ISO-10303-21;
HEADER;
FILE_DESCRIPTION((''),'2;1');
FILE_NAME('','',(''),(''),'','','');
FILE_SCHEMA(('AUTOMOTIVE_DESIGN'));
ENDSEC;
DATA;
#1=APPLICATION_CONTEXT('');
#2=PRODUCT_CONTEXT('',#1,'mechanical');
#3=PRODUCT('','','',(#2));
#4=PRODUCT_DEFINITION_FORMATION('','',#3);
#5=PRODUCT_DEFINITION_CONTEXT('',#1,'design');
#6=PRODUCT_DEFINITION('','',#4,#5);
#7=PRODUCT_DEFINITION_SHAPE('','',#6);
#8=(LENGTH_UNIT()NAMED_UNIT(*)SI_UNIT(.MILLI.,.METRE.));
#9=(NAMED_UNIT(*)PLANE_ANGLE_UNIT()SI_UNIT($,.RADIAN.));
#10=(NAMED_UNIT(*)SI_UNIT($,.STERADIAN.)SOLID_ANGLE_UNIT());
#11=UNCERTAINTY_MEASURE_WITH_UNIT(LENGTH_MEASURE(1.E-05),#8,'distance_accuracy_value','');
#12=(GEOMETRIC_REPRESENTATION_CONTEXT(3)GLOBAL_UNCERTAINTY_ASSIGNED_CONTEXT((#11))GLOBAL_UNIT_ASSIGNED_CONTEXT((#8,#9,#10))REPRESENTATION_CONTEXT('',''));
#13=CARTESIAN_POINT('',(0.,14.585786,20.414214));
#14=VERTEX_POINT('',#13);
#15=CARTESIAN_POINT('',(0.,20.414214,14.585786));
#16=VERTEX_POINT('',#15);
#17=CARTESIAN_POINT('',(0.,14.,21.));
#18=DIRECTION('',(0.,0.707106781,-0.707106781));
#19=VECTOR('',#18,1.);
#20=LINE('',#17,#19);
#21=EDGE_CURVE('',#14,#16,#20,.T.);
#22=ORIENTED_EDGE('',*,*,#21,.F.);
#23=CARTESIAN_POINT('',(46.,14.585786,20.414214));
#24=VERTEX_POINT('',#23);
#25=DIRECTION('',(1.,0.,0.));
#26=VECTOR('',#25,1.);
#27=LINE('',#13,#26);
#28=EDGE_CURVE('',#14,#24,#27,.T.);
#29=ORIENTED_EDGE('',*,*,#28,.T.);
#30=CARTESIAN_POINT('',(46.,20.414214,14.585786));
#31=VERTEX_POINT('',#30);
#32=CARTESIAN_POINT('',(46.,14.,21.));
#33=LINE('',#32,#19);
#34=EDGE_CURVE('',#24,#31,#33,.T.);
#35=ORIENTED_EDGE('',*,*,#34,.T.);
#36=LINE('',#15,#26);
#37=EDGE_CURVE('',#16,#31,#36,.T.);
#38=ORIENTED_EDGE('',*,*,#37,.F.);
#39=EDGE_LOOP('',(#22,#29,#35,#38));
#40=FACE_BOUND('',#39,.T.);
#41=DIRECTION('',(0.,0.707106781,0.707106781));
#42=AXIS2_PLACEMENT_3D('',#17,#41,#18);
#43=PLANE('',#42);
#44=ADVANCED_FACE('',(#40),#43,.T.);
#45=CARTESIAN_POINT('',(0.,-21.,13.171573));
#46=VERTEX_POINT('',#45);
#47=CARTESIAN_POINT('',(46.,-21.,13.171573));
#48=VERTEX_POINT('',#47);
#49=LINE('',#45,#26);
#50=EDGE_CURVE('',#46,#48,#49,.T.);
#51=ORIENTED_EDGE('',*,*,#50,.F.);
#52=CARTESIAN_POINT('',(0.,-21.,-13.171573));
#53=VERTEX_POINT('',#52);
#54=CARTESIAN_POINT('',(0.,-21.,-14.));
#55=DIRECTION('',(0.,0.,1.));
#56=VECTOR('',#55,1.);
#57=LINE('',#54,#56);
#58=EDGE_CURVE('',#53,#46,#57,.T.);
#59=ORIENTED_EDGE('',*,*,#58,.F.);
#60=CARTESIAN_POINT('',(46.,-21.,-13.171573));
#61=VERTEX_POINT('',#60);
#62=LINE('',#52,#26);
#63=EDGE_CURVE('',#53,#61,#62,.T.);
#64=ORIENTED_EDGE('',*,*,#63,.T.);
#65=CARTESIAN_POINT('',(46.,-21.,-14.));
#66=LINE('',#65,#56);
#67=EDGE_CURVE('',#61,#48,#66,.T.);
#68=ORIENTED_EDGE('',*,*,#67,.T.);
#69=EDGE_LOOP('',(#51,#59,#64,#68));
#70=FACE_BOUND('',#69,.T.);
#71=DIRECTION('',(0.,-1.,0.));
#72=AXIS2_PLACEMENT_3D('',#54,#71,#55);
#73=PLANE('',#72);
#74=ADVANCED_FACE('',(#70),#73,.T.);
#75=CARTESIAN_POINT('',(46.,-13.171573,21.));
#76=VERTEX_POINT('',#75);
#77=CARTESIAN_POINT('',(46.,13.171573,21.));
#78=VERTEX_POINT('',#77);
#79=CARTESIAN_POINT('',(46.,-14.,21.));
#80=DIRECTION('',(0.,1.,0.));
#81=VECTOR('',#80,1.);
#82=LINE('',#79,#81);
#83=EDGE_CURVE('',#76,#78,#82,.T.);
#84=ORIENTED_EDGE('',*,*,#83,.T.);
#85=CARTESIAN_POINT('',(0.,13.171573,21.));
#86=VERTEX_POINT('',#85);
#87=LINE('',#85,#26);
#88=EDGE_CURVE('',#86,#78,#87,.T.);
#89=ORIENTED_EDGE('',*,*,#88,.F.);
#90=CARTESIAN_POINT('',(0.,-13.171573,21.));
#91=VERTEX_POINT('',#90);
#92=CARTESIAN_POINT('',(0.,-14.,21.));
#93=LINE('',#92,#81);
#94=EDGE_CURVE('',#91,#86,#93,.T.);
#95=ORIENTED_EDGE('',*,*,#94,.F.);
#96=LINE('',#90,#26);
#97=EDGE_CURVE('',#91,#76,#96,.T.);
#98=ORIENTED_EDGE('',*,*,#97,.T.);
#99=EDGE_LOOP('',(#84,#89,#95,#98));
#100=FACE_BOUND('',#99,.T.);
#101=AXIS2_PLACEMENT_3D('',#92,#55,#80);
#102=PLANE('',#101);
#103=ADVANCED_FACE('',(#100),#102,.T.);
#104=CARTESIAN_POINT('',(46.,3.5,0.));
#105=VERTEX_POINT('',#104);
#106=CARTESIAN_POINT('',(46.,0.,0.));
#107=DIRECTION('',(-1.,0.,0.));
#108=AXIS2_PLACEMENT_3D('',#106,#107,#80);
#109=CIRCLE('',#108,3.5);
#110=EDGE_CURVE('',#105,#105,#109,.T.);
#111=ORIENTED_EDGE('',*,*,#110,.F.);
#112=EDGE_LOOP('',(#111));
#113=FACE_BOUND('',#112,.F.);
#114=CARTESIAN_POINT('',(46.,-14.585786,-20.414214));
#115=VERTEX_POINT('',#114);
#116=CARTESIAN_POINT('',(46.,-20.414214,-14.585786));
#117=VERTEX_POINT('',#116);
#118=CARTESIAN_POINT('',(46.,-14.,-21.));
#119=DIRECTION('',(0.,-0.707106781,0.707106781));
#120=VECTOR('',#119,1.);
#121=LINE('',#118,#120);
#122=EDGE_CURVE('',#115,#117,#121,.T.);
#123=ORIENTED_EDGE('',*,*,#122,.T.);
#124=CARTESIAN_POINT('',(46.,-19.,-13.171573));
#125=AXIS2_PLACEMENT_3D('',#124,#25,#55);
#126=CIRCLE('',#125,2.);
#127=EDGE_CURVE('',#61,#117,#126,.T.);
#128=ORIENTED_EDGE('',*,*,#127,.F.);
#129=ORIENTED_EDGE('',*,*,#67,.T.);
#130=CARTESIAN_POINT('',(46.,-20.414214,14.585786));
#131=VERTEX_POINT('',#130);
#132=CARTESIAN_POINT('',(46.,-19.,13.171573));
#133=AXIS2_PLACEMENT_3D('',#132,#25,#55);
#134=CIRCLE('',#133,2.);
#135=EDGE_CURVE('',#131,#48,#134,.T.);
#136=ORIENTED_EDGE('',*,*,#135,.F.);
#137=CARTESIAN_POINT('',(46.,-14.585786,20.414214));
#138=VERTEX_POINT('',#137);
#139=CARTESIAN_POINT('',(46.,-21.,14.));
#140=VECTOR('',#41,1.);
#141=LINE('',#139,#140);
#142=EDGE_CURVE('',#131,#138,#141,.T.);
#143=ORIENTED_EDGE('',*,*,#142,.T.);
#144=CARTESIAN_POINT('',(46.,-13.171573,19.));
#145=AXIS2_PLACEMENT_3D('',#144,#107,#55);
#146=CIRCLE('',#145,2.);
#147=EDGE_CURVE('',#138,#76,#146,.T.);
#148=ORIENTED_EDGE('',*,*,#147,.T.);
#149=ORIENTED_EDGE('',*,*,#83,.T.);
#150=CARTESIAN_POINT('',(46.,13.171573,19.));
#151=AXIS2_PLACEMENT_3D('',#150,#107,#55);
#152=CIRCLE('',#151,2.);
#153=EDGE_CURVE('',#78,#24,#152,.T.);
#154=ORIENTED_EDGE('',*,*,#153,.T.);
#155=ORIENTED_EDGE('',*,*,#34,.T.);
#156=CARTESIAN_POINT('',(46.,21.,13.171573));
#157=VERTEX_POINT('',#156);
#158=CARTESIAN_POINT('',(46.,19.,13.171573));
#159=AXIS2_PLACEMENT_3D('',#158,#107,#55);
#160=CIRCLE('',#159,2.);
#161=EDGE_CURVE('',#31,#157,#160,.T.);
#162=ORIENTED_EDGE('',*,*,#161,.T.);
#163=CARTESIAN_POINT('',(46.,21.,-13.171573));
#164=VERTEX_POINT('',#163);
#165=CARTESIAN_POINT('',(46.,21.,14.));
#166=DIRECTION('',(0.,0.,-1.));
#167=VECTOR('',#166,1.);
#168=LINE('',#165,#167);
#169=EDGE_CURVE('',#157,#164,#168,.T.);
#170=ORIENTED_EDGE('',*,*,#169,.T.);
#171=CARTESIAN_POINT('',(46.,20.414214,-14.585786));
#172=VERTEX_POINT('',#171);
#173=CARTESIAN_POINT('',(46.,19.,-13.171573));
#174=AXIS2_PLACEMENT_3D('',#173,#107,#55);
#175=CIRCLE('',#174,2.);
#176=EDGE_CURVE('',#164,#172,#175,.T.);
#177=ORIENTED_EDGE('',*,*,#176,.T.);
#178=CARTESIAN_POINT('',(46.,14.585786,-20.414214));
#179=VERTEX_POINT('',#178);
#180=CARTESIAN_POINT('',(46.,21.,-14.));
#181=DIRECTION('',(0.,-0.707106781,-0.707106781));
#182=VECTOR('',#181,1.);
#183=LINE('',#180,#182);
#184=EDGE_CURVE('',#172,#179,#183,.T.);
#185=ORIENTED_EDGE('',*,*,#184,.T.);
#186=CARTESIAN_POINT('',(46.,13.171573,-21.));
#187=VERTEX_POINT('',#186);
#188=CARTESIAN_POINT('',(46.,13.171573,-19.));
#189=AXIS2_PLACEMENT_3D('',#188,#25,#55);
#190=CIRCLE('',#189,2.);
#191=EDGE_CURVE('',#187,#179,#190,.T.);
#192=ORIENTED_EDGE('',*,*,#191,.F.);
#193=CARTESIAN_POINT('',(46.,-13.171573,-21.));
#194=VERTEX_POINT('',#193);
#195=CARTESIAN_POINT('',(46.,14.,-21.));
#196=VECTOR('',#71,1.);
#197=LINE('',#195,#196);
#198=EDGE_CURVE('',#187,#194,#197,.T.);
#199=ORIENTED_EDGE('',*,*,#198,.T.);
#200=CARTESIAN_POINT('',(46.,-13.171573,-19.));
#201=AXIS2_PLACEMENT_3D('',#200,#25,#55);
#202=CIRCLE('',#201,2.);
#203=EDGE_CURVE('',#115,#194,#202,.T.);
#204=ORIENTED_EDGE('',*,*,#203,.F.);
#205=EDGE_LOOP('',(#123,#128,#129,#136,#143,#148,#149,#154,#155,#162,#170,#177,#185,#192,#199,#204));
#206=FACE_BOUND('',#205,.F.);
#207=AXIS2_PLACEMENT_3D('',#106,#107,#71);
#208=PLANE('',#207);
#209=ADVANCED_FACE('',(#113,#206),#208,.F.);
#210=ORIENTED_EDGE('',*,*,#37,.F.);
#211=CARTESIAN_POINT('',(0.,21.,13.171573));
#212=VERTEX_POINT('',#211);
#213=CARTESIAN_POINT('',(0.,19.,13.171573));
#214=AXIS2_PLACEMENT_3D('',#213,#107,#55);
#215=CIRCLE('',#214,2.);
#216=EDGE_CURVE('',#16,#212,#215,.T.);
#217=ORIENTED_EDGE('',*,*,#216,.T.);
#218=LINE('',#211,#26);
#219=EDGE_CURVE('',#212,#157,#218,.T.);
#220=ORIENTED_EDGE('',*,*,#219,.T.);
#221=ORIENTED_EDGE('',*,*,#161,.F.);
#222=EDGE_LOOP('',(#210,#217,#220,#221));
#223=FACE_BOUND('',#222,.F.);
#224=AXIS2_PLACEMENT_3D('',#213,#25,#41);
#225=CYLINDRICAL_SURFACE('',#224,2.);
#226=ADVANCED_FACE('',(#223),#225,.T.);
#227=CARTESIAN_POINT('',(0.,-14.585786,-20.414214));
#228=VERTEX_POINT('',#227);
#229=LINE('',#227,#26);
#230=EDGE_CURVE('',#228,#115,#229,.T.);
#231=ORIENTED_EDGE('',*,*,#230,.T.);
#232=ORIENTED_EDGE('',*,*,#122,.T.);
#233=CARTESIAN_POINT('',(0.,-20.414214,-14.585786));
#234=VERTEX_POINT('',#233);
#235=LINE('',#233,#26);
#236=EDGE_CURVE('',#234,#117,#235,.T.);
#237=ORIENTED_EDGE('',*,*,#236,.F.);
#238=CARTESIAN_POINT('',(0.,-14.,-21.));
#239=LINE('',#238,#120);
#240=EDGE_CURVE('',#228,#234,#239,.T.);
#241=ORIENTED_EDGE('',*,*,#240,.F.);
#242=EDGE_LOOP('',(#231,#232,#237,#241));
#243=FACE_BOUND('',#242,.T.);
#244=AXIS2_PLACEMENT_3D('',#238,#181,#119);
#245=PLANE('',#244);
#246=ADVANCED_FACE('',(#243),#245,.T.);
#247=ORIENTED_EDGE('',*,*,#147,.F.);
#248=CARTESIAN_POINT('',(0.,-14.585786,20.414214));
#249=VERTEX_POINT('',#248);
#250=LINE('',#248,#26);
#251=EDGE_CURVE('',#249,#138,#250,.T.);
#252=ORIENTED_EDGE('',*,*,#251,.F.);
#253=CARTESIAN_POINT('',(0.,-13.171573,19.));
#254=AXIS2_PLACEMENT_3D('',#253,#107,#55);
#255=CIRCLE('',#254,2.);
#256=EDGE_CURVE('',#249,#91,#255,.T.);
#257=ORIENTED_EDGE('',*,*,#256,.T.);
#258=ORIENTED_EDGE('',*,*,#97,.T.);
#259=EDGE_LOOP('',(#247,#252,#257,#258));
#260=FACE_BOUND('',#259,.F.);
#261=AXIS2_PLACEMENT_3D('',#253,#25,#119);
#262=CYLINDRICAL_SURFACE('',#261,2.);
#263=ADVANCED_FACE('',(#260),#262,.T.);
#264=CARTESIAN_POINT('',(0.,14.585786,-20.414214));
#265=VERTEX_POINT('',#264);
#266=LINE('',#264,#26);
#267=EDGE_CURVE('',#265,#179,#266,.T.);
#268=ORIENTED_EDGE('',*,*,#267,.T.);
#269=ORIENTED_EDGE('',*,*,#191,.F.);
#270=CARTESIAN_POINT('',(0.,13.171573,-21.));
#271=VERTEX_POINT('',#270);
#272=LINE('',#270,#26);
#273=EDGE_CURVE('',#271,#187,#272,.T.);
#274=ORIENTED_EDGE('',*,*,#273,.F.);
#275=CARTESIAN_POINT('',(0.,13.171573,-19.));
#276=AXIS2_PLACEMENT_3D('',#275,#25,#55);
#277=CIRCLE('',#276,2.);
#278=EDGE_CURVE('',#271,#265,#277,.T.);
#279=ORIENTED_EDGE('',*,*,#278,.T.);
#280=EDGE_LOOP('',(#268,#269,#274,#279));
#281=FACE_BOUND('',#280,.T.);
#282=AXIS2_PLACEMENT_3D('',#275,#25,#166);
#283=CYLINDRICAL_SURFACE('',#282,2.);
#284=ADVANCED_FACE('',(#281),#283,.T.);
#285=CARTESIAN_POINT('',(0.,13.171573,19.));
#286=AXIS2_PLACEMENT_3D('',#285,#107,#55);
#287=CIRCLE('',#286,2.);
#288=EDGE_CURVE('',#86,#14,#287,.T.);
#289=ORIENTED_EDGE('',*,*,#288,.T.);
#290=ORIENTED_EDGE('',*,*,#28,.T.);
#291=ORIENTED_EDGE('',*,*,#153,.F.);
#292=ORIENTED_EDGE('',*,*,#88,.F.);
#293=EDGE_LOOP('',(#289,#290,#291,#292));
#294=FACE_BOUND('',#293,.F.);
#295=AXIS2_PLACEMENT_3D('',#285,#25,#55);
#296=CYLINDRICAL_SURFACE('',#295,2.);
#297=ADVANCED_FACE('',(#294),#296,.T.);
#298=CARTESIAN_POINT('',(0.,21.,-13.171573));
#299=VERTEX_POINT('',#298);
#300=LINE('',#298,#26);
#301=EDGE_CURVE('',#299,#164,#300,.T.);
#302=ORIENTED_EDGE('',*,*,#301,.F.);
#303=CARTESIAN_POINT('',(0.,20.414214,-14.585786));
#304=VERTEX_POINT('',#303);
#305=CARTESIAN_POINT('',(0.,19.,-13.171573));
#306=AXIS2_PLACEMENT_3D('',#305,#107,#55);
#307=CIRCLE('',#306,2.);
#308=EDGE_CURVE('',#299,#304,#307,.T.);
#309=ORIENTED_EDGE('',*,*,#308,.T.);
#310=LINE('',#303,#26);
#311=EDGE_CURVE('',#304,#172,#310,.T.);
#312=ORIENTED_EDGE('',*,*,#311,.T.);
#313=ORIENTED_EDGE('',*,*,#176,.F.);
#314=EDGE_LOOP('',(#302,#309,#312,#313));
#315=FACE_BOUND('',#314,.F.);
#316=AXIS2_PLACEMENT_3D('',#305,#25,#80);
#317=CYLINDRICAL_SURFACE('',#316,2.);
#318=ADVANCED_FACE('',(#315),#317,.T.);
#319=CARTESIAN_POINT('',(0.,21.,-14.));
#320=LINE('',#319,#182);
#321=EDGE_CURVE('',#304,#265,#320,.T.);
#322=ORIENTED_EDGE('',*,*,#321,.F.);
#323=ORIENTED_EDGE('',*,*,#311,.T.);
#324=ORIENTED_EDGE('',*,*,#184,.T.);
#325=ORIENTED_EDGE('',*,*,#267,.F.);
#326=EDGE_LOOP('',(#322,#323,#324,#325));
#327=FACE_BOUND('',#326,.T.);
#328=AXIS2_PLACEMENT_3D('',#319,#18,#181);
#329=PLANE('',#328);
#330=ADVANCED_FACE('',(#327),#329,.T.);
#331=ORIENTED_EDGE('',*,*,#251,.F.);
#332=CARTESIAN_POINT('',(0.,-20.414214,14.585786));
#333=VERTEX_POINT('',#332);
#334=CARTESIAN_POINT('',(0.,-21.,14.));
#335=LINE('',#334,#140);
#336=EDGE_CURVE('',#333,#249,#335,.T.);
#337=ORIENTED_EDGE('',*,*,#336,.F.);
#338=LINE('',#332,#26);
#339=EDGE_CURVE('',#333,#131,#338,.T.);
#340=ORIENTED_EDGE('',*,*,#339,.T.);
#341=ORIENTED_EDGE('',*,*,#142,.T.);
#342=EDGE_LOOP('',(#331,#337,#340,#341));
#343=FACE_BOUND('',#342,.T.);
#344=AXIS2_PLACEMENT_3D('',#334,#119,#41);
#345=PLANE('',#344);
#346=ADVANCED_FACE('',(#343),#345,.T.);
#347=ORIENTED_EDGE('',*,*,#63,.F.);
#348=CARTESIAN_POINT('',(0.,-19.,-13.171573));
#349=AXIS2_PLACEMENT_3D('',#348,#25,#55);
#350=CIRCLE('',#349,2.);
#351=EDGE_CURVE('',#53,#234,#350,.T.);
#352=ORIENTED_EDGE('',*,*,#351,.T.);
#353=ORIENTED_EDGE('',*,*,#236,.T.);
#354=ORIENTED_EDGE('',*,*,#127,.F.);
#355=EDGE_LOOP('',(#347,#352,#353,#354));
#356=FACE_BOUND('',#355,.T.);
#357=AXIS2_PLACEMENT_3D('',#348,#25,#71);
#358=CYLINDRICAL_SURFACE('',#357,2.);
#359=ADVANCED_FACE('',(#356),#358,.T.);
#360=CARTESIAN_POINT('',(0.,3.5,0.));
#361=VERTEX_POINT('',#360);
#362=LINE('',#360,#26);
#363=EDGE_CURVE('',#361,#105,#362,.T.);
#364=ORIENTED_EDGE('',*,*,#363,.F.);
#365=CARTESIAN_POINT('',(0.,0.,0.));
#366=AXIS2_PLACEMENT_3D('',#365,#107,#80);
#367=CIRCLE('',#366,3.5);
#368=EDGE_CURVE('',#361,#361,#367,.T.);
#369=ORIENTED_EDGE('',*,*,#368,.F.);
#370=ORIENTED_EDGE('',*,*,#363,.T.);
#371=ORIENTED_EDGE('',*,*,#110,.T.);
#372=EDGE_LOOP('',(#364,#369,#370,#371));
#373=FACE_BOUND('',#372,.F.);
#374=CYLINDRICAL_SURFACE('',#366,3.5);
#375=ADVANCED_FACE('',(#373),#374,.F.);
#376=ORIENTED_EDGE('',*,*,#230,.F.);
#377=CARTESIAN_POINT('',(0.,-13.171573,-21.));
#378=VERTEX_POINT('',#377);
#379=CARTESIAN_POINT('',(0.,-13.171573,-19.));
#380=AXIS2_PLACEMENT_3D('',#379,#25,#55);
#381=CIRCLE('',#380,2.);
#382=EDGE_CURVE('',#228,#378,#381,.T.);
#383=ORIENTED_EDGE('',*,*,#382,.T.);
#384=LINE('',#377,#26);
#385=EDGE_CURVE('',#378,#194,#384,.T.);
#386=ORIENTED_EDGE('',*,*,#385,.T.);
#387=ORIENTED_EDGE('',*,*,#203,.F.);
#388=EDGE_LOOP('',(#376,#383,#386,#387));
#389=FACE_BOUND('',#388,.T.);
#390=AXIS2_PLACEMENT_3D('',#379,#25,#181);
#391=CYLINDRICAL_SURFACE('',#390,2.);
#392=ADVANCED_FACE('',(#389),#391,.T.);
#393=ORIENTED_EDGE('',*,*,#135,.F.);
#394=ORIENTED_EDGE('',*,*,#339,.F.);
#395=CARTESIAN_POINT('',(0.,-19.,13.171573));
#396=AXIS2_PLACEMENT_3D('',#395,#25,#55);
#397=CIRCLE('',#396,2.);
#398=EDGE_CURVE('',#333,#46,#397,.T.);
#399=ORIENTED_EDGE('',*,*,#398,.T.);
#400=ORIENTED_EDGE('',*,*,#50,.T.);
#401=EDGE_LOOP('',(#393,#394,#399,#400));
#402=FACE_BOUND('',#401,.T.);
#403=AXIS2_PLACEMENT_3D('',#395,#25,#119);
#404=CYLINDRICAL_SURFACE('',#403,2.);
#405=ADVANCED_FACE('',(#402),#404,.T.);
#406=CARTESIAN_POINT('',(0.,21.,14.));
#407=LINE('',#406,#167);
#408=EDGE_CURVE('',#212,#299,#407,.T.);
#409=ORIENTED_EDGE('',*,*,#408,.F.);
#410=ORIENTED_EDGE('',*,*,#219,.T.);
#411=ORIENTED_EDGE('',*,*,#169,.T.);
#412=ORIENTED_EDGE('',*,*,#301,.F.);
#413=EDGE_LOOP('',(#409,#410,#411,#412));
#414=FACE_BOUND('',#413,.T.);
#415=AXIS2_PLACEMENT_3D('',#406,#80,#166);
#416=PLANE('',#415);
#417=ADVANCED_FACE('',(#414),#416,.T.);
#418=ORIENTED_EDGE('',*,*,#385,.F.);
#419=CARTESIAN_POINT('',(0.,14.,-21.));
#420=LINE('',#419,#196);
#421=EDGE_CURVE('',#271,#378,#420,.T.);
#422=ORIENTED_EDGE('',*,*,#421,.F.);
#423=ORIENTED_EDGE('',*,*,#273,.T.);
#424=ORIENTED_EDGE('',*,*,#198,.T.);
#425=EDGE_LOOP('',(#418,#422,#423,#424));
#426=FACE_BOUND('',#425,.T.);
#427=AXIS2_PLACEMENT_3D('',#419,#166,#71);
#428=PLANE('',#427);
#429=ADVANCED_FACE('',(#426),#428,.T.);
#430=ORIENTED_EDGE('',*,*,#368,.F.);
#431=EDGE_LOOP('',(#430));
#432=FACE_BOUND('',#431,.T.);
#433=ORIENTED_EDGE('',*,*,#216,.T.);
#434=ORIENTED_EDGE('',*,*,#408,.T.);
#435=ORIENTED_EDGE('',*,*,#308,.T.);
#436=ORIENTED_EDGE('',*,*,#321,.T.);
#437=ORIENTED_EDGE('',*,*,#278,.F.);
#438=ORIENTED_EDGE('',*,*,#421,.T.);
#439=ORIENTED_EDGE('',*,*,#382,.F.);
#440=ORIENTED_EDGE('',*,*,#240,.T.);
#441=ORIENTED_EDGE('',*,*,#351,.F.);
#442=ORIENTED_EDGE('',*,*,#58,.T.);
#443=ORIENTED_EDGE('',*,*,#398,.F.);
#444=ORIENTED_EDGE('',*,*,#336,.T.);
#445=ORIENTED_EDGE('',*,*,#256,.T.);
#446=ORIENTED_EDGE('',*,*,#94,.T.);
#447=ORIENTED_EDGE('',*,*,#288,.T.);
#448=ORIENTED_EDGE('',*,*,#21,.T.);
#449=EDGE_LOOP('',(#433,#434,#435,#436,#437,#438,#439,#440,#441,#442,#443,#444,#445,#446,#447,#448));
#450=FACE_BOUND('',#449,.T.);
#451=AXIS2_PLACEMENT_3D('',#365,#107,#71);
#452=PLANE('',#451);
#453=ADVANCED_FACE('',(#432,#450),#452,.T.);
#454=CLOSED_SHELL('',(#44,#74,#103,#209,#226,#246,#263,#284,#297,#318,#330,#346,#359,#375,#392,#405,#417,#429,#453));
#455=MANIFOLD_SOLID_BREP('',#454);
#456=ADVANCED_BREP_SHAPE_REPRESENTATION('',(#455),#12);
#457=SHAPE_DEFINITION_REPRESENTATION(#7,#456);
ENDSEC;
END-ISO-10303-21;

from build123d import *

# Parameters (mm, degrees)
PAD_DEPTH       = 46
SKETCH003_R     = 3.5
POCKET001_DEPTH = 46.001
FILLET003_R     = 2


with BuildPart() as part:
    # Sketch002 → Pad (new body)
    with BuildSketch(Plane.YZ):
        Polygon((-21, 14), (-14, 21), (14, 21), (21, 14), (21, -14), (14, -21), (-14, -21), (-21, -14), align=None)
    extrude(amount=PAD_DEPTH)

    # Sketch003 (on Face9 of Pad) → Pocket001 (cut, through all)
    with BuildSketch(Plane(origin=(0, 0, 0), x_dir=(0, 1, 0), z_dir=(-1, 0, 0))):
        Circle(SKETCH003_R)
    extrude(amount=-POCKET001_DEPTH, mode=Mode.SUBTRACT)

    # Fillet003
    fillet003_edges = [part.edges().sort_by_distance(p)[0] for p in [
        (23, -21, -14),
        (23, -21, 14),
        (23, -14, 21),
        (23, 14, 21),
        (23, -14, -21),
        (23, 14, -21),
        (23, 21, -14),
        (23, 21, 14),
    ]]
    fillet(fillet003_edges, radius=FILLET003_R)


solid = part.part
